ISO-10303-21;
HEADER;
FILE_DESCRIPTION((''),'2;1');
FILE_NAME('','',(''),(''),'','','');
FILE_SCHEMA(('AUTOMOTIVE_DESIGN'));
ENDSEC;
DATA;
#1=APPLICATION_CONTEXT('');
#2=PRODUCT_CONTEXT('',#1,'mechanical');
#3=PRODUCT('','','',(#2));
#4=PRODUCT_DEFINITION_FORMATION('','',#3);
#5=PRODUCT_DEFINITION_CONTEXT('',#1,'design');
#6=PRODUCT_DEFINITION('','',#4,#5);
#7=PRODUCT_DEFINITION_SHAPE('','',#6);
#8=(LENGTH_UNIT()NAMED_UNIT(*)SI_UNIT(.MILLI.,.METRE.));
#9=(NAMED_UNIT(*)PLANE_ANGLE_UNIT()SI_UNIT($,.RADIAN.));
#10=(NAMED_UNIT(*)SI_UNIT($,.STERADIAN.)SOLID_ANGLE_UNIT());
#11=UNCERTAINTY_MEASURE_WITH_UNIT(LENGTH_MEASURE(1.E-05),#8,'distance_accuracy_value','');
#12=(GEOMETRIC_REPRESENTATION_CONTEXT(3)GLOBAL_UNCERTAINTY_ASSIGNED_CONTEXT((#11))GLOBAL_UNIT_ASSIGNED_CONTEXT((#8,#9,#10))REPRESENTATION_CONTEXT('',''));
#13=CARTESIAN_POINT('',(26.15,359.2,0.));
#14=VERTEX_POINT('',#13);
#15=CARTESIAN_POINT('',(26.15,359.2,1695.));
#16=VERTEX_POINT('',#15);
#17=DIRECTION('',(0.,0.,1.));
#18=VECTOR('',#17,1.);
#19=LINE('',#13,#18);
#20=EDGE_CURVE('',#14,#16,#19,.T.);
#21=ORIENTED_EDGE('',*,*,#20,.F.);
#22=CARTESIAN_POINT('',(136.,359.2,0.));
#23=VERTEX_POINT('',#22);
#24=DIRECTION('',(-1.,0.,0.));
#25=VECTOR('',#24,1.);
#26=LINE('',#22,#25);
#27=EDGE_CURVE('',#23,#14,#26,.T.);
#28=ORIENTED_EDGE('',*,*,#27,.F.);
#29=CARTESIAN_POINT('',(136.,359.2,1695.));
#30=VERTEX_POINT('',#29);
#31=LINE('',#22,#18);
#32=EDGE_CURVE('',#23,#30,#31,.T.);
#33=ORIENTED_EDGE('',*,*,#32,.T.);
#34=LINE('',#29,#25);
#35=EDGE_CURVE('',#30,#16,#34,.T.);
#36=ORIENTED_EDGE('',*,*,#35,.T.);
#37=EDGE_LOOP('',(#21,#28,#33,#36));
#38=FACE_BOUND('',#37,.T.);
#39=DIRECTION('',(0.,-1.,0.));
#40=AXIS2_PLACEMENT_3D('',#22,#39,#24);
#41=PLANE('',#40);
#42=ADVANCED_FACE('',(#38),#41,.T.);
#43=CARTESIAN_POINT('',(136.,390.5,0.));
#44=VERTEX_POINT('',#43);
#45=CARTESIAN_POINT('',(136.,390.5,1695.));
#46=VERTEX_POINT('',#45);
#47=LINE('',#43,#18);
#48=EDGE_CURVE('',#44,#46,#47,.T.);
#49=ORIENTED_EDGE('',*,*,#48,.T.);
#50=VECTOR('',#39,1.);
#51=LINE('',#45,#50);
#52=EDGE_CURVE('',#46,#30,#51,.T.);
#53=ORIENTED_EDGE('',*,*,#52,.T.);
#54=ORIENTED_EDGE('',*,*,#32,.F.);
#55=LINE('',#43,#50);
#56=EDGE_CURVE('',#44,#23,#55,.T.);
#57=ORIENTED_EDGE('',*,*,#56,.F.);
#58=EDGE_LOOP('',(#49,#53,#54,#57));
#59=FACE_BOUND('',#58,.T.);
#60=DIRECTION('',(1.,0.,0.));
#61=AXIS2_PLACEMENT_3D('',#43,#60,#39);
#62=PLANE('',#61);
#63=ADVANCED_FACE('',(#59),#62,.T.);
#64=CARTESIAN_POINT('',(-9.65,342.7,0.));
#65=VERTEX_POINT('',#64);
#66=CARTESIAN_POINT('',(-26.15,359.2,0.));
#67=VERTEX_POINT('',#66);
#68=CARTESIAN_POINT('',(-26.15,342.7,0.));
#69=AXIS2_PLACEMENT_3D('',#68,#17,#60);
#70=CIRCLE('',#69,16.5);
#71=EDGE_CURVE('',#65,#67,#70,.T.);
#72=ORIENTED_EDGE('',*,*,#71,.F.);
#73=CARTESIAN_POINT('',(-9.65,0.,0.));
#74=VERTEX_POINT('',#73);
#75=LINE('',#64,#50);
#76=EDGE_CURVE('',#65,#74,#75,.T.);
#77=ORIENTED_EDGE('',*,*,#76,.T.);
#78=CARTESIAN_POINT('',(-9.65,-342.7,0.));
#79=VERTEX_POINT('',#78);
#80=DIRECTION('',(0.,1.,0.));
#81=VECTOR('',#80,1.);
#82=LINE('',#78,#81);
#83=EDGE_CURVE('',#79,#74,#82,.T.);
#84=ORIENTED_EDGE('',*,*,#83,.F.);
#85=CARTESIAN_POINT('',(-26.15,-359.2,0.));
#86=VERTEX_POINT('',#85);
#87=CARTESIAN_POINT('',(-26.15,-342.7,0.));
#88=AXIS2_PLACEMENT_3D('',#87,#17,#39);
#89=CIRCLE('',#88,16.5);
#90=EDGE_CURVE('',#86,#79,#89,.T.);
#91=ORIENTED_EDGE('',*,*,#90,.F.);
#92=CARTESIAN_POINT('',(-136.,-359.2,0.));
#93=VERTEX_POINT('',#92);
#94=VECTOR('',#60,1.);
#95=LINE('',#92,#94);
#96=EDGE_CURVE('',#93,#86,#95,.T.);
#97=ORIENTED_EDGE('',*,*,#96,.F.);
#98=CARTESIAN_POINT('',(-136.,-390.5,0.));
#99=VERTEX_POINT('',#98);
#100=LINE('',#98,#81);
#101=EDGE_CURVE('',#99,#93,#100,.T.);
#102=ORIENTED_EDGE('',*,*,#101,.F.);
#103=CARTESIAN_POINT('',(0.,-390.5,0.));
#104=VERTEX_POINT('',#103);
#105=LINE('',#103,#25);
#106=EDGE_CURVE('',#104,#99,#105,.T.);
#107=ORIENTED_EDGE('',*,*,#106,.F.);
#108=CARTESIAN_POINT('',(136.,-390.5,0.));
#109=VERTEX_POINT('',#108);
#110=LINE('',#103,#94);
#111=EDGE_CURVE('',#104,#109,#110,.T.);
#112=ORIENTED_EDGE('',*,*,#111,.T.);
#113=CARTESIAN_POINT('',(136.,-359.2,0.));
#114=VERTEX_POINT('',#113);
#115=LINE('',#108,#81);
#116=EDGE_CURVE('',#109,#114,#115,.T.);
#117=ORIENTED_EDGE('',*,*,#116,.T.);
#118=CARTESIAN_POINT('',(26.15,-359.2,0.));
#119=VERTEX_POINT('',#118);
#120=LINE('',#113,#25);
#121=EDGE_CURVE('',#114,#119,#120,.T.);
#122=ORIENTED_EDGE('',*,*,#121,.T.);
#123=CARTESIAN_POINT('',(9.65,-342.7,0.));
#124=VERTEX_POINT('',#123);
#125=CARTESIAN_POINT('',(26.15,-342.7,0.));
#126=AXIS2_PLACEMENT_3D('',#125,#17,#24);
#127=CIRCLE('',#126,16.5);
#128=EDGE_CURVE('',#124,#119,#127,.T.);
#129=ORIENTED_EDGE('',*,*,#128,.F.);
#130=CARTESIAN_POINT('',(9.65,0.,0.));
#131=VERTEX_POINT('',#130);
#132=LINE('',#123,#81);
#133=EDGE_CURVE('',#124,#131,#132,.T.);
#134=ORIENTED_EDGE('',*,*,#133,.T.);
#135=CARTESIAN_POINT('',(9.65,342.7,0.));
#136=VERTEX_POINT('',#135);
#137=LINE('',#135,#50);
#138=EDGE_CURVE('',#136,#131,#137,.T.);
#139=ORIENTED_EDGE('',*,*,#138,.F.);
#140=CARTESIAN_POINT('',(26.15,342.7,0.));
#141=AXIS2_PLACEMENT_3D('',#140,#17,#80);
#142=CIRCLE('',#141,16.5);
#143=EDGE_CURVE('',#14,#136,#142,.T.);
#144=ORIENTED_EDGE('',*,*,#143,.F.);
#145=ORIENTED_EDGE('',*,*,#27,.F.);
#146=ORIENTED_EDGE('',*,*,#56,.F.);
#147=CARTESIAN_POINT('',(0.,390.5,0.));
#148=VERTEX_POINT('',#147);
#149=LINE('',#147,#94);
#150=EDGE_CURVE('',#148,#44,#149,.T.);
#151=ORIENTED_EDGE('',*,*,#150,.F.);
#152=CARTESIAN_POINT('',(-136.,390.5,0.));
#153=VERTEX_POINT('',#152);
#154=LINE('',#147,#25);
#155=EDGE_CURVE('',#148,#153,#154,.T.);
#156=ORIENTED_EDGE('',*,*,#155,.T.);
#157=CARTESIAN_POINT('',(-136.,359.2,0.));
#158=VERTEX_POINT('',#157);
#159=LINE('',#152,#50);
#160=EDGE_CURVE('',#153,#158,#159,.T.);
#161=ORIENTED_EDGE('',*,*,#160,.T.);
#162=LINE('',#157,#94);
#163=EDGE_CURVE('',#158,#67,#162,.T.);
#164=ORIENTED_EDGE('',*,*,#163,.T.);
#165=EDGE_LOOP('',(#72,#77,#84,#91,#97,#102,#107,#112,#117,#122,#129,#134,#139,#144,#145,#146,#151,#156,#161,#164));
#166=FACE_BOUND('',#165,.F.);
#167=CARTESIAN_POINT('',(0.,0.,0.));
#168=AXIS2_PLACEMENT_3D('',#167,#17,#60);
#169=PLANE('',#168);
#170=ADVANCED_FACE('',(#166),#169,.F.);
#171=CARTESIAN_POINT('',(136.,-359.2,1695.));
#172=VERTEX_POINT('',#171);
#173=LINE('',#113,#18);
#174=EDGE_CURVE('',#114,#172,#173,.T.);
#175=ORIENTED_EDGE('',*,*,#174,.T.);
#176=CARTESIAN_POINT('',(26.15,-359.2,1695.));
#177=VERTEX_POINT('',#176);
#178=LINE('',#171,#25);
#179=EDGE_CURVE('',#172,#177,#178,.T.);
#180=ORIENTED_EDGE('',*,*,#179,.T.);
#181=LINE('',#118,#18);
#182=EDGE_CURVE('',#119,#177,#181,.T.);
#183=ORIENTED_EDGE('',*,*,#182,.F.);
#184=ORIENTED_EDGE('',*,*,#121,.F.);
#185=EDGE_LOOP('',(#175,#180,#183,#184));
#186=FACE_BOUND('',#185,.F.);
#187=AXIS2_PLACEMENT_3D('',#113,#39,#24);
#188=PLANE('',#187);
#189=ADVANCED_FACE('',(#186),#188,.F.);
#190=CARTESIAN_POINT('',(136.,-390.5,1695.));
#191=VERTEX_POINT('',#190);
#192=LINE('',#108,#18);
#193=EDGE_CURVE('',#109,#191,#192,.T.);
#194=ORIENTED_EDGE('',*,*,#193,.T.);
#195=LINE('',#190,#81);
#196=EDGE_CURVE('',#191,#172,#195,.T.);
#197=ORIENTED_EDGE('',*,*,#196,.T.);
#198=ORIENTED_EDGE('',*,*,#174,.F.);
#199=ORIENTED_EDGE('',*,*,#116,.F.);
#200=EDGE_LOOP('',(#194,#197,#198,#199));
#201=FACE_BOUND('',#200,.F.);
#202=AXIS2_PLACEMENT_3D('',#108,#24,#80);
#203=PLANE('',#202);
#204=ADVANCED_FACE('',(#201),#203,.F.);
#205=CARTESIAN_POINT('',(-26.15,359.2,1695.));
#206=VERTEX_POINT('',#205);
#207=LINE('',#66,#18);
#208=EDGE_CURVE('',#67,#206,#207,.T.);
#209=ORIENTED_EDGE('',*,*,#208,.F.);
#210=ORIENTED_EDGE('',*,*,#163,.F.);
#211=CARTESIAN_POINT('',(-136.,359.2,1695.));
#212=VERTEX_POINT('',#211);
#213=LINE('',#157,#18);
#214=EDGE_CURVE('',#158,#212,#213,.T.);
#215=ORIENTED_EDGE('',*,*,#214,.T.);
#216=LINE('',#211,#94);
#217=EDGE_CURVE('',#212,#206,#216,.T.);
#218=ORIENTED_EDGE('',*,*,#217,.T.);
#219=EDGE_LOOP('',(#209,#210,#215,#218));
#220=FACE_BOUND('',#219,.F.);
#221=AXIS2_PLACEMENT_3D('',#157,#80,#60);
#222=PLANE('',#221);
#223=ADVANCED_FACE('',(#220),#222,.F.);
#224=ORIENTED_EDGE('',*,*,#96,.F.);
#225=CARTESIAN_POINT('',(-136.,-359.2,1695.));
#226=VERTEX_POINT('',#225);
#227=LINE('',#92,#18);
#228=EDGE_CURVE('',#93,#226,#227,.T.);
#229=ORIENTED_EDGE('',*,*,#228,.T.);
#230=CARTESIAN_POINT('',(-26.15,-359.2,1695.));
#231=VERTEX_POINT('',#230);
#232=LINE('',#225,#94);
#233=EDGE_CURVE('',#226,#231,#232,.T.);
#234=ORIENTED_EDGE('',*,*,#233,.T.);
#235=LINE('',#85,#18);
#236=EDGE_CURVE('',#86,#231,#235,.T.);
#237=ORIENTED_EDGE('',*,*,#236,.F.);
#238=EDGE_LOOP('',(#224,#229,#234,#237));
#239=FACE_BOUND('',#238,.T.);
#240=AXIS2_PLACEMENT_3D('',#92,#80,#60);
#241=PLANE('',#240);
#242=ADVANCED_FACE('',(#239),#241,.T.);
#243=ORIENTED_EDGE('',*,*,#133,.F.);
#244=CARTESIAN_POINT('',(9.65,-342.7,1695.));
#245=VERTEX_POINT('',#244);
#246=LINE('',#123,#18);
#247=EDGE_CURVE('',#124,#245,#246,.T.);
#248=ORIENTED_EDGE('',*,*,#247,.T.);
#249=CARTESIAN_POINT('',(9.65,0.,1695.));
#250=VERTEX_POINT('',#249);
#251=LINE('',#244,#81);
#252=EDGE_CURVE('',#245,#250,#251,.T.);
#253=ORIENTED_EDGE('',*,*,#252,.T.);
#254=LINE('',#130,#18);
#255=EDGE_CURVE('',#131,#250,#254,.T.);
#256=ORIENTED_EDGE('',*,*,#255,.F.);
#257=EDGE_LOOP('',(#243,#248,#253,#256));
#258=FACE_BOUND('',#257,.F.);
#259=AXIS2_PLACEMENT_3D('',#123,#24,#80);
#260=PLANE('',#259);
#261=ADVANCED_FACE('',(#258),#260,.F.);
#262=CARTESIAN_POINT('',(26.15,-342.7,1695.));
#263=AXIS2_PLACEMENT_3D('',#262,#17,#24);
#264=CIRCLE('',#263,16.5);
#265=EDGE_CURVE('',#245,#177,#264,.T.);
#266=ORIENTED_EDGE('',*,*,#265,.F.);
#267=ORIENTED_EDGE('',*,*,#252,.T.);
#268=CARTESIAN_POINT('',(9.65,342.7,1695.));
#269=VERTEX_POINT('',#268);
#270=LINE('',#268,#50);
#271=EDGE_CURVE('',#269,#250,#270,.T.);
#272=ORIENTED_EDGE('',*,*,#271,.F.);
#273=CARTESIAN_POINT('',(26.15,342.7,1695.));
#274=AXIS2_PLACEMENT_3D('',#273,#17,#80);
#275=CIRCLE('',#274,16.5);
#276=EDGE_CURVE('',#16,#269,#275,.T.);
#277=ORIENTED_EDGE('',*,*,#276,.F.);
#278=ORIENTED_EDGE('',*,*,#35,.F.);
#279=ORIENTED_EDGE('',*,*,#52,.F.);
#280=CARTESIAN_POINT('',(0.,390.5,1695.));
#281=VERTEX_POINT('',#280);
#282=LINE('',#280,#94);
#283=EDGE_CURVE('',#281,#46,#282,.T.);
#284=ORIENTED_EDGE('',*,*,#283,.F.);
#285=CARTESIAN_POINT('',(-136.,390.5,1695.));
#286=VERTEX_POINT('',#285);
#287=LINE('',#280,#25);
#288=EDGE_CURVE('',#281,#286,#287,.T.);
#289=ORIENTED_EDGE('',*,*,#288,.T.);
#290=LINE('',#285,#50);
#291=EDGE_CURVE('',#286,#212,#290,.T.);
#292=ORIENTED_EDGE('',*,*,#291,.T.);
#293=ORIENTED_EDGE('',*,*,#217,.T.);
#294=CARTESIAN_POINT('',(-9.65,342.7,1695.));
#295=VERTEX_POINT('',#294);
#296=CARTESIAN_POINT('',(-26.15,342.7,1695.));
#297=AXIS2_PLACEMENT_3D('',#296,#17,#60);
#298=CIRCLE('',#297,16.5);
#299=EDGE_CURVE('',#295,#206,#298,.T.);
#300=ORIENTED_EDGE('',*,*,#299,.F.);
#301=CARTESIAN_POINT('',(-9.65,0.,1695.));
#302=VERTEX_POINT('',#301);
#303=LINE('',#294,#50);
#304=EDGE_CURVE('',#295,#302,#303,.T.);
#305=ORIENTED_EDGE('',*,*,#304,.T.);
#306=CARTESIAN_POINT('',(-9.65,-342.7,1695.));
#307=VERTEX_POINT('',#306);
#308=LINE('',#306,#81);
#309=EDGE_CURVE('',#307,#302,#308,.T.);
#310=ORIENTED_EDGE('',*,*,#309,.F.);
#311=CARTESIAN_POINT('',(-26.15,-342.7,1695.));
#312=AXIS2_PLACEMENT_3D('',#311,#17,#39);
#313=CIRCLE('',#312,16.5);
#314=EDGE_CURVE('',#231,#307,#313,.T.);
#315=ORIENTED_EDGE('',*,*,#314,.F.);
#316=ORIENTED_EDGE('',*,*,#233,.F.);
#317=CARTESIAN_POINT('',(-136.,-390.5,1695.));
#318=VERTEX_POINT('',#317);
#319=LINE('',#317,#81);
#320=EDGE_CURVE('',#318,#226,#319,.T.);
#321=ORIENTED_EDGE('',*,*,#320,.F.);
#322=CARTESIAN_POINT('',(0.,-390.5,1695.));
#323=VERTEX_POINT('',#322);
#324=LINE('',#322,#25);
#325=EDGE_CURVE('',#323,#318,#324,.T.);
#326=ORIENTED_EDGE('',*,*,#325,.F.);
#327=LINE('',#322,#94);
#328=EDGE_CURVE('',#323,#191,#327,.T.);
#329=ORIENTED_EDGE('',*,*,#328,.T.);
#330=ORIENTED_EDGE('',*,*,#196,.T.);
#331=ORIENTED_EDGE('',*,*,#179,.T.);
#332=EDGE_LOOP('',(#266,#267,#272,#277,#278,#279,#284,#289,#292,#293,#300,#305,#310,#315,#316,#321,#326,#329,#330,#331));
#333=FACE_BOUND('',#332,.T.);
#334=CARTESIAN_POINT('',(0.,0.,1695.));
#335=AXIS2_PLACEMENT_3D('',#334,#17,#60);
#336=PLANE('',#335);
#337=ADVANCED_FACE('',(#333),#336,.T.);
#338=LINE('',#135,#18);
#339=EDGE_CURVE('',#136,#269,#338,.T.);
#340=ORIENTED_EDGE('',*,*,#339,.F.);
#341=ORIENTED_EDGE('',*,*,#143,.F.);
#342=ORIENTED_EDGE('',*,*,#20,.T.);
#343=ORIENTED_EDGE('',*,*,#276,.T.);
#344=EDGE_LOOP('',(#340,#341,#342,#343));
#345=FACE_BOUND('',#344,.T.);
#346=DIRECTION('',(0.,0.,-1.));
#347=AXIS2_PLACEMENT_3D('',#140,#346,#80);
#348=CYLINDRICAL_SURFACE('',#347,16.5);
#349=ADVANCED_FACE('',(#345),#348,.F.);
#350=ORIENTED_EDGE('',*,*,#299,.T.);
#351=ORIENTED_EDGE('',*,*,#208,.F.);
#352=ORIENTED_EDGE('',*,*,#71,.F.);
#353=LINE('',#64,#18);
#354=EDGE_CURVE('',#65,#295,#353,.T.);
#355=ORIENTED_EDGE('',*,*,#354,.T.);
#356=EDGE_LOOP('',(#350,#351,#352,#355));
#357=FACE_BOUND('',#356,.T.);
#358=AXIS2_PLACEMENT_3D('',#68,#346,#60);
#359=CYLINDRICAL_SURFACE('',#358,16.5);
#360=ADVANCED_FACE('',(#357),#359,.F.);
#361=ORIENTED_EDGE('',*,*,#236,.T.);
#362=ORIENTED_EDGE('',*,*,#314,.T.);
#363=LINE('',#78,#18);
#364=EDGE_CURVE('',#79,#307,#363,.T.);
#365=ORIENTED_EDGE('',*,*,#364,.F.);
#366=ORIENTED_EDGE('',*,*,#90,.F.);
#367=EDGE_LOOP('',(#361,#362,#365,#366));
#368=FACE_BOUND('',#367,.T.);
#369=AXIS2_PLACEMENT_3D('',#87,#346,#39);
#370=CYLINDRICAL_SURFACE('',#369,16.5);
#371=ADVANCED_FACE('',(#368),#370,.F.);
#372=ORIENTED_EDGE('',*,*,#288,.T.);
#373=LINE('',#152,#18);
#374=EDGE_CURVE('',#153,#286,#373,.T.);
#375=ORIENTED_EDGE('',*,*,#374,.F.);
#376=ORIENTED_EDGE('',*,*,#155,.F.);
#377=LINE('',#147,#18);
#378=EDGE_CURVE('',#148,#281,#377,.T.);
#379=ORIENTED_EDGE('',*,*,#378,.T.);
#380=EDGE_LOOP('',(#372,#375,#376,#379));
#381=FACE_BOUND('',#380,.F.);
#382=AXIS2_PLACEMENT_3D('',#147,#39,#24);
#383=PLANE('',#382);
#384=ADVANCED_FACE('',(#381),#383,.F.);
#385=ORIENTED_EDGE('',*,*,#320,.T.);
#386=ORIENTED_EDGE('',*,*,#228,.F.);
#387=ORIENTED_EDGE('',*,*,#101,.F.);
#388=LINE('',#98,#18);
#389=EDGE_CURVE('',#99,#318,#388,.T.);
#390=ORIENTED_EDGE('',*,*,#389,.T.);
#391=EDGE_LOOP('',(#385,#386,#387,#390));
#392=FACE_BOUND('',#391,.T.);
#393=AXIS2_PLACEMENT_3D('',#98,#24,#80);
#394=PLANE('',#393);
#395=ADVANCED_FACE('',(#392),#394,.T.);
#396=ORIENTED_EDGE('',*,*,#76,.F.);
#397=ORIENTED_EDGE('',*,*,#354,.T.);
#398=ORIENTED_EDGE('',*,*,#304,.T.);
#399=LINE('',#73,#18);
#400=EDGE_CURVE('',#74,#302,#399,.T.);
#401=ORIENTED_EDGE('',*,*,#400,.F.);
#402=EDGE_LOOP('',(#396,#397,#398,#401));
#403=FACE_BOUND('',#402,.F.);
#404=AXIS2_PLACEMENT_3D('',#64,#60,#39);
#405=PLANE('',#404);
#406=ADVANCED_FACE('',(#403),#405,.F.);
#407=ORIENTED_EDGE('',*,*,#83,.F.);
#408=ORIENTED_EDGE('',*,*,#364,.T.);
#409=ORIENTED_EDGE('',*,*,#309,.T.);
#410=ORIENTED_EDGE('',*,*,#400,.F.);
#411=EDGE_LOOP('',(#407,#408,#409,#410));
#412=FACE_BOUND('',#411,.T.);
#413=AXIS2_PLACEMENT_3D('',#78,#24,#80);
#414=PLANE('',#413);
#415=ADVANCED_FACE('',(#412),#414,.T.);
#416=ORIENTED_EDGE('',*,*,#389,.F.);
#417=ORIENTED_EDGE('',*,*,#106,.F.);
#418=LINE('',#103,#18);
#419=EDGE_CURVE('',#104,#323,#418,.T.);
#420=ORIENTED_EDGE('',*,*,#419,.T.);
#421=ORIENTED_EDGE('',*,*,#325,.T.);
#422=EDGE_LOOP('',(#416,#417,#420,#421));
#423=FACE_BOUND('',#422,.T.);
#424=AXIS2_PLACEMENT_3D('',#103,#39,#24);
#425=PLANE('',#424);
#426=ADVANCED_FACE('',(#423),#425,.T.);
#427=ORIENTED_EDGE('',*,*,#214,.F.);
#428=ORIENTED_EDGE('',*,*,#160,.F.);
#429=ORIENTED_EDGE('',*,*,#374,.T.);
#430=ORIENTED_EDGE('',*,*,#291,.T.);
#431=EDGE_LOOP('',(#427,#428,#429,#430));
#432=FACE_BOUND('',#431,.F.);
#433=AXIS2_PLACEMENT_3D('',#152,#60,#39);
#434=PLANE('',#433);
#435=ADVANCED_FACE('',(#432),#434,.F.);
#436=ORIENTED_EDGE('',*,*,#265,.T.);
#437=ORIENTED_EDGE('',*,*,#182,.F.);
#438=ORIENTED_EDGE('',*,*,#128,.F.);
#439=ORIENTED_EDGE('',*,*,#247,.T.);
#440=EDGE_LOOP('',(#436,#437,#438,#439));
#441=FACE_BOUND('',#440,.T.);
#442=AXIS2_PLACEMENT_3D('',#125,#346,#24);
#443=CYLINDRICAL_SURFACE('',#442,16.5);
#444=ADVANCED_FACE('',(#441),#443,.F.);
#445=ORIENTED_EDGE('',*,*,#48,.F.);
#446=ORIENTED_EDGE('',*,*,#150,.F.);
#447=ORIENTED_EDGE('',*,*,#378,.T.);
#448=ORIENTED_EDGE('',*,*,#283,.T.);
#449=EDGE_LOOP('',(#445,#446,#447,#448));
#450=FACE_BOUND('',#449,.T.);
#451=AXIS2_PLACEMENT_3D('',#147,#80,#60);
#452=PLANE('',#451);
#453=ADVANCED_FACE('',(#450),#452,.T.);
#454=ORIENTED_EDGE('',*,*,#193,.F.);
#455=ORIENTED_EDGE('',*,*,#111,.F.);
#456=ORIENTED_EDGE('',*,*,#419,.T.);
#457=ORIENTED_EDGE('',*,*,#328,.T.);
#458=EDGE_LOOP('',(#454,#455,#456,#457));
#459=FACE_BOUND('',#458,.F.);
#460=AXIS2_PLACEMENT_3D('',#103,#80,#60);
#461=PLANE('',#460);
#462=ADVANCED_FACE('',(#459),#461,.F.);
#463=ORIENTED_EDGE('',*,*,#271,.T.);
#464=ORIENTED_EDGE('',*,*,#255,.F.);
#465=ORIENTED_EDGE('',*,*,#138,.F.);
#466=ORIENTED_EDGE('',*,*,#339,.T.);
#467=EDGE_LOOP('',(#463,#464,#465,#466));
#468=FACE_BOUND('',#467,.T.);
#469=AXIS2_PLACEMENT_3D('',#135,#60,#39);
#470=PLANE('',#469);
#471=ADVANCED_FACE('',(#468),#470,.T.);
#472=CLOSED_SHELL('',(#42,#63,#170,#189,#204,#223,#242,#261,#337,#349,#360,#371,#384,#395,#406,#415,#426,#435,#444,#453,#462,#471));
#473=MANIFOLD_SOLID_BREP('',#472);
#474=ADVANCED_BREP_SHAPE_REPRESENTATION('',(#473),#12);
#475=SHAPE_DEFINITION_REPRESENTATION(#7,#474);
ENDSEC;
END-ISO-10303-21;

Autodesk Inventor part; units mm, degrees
ref_plane "YZ Plane" through (0, 0, 0) normal (1, 0, 0) x (0, 1, 0)
ref_plane "Start plane" through (0, 0, 0) normal (0, 0, 1) x (1, 0, 0)
ref_plane "End plane" through (0, 0, 1695) normal (0, 0, 1) x (1, 0, 0)
sketch "Sketch" plane through (0, 0, 0) normal (0, 0, 1) x (1, 0, 0)
  line L0 (-136, -390.5) -> (-136, -359.2)
  line L1 (-136, -359.2) -> (-26.15, -359.2)
  line L2 (-9.65, -342.7) -> (-9.65, 0)
  line L3 (-9.65, 0) -> (0, 0) construction
  line L4 (0, 0) -> (0, -390.5) construction
  line L5 (0, -390.5) -> (-136, -390.5)
  line L6 (-60, 0) -> (80, 0) construction
  line L7 (0, -60) -> (0, 80) construction
  line L8 (136, -390.5) -> (136, -359.2)
  line L9 (136, -359.2) -> (26.15, -359.2)
  line L10 (9.65, -342.7) -> (9.65, 0)
  line L11 (9.65, 0) -> (0, 0) construction
  line L12 (0, -390.5) -> (136, -390.5)
  line L13 (-136, 390.5) -> (-136, 359.2)
  line L14 (-136, 359.2) -> (-26.15, 359.2)
  line L15 (-9.65, 342.7) -> (-9.65, 0)
  line L16 (0, 390.5) -> (-136, 390.5)
  line L17 (136, 390.5) -> (136, 359.2)
  line L18 (136, 359.2) -> (26.15, 359.2)
  line L19 (0, 390.5) -> (136, 390.5)
  line L20 (9.65, 342.7) -> (9.65, 0)
  arc A0 (-9.65, 342.7) -> (-26.15, 359.2) centre (-26.15, 342.7) ccw
  arc A1 (26.15, 359.2) -> (9.65, 342.7) centre (26.15, 342.7) ccw
  arc A2 (9.65, -342.7) -> (26.15, -359.2) centre (26.15, -342.7) ccw
  arc A3 (-26.15, -359.2) -> (-9.65, -342.7) centre (-26.15, -342.7) ccw
  line L21 (0, 108) -> (0, -88) construction
  line L22 (-88, 0) -> (108, 0) construction
  point P0 (-9.65, -359.2)
  point P1 (9.65, -359.2)
  point P2 (-9.65, 359.2)
  point P3 (9.65, 359.2)
  dimension "d1" = 390.5
  dimension "d2" = 31.3
  dimension "d3" = 136
  dimension "d4" = 9.65
  dimension "d10" = 16.5
extrude "Body" add sketch "Sketch" along normal up to surface (1695 mm away) from surface at 0
sketch "Sketch4" plane through (0, 0, 0) normal (0, 0, 1) x (1, 0, 0)
  line L0 (0, 0) -> (10, 0)
ref_plane "Work Plane3" through (0, 0, 0) normal (0, -1, 0) x (1, 0, 0)
sketch "Sketch5" plane through (0, 0, 0) normal (0, -1, 0) x (1, 0, 0)
  line L0 (-2, 0) -> (12, 0) projected
  line L1 (-2, 1695) -> (12, 1695) projected
  dimension "d14" = 1695
equation "\"d1\" = 0.5 * G_H"
equation "\"d2\" = G_T1"
equation "\"d3\" = 0.5 * G_W"
equation "\"d4\" = 0.5 * G_T"
equation "\"d10\" = G_IR"
equation "\"d5\" = G_L"
equation "\"G_W\" = 272"
equation "\"G_H\" = 781"
equation "\"G_T\" = 19.3"
equation "\"G_T1\" = 31.3"
equation "\"G_IR\" = 16.5"
equation "\"G_L\" = d14"
equation "\"G_OFFSET_START\" = 0"
equation "\"G_OFFSET_END\" = 0"
equation "\"d12\" = G_OFFSET_END + B_L"
equation "\"B_L\" = 1695"
properties part number "AS 3679-1990 - 760 UB - 244 - 1695" material "Steel, Mild"
